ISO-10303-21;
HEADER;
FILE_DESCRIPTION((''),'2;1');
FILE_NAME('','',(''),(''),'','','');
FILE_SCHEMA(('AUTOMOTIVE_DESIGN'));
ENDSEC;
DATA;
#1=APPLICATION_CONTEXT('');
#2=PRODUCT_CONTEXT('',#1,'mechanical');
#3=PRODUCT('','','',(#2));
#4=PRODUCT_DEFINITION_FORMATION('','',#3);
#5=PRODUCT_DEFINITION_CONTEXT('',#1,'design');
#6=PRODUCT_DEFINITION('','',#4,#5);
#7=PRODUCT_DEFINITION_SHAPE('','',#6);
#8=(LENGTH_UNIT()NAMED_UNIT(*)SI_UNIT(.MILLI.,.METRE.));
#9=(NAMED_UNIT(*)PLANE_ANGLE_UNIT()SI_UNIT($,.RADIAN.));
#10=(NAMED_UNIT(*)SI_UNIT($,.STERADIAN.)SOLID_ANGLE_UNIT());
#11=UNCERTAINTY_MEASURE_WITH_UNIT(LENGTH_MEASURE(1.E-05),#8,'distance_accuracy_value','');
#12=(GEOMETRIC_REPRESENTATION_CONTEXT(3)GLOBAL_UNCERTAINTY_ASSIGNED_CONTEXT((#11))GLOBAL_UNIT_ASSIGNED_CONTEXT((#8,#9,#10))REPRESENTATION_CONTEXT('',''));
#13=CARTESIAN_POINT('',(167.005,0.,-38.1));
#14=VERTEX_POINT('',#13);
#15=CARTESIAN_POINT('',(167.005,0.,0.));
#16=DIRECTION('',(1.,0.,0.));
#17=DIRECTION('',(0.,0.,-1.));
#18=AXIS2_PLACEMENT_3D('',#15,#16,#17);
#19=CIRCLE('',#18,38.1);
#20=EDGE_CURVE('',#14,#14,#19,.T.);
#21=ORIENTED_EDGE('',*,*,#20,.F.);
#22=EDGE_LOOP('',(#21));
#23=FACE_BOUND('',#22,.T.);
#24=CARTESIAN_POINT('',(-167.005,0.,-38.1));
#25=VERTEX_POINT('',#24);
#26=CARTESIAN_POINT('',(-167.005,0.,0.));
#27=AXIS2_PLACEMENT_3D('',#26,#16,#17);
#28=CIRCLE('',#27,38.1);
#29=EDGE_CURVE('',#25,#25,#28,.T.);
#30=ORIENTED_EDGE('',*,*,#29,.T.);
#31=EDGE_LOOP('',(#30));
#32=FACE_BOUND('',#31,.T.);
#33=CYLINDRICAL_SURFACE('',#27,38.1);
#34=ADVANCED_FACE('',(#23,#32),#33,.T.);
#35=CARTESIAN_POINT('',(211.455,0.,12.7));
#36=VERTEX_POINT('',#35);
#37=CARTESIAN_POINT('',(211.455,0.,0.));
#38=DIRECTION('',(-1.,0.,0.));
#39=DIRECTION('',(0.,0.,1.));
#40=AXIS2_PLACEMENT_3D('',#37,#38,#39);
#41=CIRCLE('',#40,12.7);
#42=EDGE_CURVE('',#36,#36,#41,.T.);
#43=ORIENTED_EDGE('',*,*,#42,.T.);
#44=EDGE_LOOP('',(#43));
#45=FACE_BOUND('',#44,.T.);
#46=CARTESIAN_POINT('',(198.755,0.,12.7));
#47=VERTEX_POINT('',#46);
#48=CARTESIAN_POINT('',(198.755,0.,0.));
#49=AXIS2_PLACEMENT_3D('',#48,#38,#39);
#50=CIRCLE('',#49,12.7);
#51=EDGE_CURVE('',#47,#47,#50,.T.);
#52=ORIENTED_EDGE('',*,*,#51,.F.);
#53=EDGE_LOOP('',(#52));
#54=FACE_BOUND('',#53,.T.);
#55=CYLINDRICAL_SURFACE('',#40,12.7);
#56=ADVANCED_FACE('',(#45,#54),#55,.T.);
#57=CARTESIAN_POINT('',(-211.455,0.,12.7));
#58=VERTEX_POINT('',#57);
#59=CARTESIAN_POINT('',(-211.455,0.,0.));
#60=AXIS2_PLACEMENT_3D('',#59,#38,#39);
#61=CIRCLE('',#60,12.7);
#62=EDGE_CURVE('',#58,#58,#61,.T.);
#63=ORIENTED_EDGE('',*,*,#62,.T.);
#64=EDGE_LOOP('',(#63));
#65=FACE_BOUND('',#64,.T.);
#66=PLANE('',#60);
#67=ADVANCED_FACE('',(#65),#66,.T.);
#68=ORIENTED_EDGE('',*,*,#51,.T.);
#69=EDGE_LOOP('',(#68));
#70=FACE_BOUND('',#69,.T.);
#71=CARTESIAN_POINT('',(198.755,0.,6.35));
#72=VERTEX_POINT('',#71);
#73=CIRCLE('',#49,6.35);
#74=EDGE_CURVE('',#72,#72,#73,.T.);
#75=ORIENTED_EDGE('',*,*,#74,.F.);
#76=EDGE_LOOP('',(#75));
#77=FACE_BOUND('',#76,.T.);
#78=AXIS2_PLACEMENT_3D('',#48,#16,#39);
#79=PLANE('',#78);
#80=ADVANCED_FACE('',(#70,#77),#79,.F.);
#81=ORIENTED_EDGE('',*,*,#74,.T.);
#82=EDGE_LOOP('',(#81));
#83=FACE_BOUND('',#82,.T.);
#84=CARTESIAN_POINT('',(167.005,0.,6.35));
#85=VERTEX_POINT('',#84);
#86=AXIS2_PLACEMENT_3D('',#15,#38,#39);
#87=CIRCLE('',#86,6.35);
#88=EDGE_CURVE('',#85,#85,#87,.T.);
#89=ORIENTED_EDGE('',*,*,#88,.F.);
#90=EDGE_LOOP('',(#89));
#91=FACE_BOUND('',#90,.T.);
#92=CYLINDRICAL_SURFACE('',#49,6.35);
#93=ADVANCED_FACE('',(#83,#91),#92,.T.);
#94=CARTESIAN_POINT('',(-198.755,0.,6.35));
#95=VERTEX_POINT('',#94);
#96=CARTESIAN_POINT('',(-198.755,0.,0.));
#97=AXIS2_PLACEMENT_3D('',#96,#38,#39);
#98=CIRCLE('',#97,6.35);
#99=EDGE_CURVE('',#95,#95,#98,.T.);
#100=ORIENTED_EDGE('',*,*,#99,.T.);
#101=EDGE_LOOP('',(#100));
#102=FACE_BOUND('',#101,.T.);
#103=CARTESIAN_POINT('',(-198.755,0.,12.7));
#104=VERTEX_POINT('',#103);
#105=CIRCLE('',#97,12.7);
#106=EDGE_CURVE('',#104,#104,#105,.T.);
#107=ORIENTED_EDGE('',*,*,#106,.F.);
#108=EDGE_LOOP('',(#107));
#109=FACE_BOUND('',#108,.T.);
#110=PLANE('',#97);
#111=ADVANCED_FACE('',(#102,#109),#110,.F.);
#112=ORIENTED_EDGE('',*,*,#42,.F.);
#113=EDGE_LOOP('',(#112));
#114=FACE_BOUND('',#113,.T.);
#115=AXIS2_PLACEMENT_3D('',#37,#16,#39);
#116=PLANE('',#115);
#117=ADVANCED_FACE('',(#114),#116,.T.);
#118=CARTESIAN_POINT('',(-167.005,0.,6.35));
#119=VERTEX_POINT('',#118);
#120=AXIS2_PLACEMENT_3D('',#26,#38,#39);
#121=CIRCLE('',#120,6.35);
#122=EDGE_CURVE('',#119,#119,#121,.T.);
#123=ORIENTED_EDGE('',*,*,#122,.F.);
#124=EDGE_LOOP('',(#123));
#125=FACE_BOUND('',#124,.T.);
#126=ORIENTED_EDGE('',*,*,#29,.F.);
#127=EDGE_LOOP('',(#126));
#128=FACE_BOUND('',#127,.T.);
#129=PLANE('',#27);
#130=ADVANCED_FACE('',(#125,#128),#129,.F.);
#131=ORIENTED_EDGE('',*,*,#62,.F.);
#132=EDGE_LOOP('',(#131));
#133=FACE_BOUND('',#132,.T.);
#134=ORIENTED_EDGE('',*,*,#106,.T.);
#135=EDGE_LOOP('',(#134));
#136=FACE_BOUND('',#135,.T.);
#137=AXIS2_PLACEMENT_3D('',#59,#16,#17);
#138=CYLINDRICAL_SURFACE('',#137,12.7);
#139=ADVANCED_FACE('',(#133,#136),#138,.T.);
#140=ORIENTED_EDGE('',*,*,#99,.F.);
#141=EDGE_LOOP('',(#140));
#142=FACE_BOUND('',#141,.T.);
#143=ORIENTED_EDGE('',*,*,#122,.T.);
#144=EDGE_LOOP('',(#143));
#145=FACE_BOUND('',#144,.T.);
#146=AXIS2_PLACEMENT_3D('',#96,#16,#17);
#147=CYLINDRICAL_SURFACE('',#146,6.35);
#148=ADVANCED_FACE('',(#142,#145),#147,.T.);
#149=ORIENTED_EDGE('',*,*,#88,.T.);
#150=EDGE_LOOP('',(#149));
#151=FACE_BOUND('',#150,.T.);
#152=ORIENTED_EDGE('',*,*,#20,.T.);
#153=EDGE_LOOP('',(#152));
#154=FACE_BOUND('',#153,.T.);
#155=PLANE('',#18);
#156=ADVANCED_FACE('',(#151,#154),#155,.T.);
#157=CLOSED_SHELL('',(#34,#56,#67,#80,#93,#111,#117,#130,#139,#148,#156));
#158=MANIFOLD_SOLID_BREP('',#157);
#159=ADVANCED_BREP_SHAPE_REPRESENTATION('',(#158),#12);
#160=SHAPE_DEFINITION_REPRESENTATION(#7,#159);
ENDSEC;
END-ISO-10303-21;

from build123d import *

# Parameters (mm, degrees)
BOSS_EXTRUDE1_DEPTH      = 167.005
BOSS_EXTRUDE1_DEPTH_BACK = 167.005
SKETCH1_R                = 38.1
SKETCH2_R                = 6.35
BOSS_EXTRUDE2_DEPTH      = 31.75
SKETCH3_R                = 12.7
BOSS_EXTRUDE3_DEPTH      = 12.7


with BuildPart() as part:
    # Sketch1 → Boss-Extrude1 (new, two sides: drawn at the far end of the back side and taken through both)
    with BuildSketch(Plane(origin=(0, 0, 0), x_dir=(0, 0, -1), z_dir=(1, 0, 0)).offset(-BOSS_EXTRUDE1_DEPTH_BACK)):
        Circle(SKETCH1_R)
    extrude(amount=BOSS_EXTRUDE1_DEPTH + BOSS_EXTRUDE1_DEPTH_BACK)

    # Sketch2 → Boss-Extrude2 (add)
    with BuildSketch(Plane.ZY.offset(167.005)):
        Circle(SKETCH2_R)
    boss_extrude2 = extrude(amount=BOSS_EXTRUDE2_DEPTH)

    # Sketch3 → Boss-Extrude3 (add)
    with BuildSketch(Plane.ZY.offset(198.755)):
        Circle(SKETCH3_R)
    boss_extrude3 = extrude(amount=BOSS_EXTRUDE3_DEPTH)

    # Mirror1: Boss-Extrude2, Boss-Extrude3 across plane
    add(boss_extrude2.mirror(Plane(origin=(0, 0, 0), x_dir=(0, 0, 1), z_dir=(1, 0, 0))))
    add(boss_extrude3.mirror(Plane(origin=(0, 0, 0), x_dir=(0, 0, 1), z_dir=(1, 0, 0))))


solid = part.part
